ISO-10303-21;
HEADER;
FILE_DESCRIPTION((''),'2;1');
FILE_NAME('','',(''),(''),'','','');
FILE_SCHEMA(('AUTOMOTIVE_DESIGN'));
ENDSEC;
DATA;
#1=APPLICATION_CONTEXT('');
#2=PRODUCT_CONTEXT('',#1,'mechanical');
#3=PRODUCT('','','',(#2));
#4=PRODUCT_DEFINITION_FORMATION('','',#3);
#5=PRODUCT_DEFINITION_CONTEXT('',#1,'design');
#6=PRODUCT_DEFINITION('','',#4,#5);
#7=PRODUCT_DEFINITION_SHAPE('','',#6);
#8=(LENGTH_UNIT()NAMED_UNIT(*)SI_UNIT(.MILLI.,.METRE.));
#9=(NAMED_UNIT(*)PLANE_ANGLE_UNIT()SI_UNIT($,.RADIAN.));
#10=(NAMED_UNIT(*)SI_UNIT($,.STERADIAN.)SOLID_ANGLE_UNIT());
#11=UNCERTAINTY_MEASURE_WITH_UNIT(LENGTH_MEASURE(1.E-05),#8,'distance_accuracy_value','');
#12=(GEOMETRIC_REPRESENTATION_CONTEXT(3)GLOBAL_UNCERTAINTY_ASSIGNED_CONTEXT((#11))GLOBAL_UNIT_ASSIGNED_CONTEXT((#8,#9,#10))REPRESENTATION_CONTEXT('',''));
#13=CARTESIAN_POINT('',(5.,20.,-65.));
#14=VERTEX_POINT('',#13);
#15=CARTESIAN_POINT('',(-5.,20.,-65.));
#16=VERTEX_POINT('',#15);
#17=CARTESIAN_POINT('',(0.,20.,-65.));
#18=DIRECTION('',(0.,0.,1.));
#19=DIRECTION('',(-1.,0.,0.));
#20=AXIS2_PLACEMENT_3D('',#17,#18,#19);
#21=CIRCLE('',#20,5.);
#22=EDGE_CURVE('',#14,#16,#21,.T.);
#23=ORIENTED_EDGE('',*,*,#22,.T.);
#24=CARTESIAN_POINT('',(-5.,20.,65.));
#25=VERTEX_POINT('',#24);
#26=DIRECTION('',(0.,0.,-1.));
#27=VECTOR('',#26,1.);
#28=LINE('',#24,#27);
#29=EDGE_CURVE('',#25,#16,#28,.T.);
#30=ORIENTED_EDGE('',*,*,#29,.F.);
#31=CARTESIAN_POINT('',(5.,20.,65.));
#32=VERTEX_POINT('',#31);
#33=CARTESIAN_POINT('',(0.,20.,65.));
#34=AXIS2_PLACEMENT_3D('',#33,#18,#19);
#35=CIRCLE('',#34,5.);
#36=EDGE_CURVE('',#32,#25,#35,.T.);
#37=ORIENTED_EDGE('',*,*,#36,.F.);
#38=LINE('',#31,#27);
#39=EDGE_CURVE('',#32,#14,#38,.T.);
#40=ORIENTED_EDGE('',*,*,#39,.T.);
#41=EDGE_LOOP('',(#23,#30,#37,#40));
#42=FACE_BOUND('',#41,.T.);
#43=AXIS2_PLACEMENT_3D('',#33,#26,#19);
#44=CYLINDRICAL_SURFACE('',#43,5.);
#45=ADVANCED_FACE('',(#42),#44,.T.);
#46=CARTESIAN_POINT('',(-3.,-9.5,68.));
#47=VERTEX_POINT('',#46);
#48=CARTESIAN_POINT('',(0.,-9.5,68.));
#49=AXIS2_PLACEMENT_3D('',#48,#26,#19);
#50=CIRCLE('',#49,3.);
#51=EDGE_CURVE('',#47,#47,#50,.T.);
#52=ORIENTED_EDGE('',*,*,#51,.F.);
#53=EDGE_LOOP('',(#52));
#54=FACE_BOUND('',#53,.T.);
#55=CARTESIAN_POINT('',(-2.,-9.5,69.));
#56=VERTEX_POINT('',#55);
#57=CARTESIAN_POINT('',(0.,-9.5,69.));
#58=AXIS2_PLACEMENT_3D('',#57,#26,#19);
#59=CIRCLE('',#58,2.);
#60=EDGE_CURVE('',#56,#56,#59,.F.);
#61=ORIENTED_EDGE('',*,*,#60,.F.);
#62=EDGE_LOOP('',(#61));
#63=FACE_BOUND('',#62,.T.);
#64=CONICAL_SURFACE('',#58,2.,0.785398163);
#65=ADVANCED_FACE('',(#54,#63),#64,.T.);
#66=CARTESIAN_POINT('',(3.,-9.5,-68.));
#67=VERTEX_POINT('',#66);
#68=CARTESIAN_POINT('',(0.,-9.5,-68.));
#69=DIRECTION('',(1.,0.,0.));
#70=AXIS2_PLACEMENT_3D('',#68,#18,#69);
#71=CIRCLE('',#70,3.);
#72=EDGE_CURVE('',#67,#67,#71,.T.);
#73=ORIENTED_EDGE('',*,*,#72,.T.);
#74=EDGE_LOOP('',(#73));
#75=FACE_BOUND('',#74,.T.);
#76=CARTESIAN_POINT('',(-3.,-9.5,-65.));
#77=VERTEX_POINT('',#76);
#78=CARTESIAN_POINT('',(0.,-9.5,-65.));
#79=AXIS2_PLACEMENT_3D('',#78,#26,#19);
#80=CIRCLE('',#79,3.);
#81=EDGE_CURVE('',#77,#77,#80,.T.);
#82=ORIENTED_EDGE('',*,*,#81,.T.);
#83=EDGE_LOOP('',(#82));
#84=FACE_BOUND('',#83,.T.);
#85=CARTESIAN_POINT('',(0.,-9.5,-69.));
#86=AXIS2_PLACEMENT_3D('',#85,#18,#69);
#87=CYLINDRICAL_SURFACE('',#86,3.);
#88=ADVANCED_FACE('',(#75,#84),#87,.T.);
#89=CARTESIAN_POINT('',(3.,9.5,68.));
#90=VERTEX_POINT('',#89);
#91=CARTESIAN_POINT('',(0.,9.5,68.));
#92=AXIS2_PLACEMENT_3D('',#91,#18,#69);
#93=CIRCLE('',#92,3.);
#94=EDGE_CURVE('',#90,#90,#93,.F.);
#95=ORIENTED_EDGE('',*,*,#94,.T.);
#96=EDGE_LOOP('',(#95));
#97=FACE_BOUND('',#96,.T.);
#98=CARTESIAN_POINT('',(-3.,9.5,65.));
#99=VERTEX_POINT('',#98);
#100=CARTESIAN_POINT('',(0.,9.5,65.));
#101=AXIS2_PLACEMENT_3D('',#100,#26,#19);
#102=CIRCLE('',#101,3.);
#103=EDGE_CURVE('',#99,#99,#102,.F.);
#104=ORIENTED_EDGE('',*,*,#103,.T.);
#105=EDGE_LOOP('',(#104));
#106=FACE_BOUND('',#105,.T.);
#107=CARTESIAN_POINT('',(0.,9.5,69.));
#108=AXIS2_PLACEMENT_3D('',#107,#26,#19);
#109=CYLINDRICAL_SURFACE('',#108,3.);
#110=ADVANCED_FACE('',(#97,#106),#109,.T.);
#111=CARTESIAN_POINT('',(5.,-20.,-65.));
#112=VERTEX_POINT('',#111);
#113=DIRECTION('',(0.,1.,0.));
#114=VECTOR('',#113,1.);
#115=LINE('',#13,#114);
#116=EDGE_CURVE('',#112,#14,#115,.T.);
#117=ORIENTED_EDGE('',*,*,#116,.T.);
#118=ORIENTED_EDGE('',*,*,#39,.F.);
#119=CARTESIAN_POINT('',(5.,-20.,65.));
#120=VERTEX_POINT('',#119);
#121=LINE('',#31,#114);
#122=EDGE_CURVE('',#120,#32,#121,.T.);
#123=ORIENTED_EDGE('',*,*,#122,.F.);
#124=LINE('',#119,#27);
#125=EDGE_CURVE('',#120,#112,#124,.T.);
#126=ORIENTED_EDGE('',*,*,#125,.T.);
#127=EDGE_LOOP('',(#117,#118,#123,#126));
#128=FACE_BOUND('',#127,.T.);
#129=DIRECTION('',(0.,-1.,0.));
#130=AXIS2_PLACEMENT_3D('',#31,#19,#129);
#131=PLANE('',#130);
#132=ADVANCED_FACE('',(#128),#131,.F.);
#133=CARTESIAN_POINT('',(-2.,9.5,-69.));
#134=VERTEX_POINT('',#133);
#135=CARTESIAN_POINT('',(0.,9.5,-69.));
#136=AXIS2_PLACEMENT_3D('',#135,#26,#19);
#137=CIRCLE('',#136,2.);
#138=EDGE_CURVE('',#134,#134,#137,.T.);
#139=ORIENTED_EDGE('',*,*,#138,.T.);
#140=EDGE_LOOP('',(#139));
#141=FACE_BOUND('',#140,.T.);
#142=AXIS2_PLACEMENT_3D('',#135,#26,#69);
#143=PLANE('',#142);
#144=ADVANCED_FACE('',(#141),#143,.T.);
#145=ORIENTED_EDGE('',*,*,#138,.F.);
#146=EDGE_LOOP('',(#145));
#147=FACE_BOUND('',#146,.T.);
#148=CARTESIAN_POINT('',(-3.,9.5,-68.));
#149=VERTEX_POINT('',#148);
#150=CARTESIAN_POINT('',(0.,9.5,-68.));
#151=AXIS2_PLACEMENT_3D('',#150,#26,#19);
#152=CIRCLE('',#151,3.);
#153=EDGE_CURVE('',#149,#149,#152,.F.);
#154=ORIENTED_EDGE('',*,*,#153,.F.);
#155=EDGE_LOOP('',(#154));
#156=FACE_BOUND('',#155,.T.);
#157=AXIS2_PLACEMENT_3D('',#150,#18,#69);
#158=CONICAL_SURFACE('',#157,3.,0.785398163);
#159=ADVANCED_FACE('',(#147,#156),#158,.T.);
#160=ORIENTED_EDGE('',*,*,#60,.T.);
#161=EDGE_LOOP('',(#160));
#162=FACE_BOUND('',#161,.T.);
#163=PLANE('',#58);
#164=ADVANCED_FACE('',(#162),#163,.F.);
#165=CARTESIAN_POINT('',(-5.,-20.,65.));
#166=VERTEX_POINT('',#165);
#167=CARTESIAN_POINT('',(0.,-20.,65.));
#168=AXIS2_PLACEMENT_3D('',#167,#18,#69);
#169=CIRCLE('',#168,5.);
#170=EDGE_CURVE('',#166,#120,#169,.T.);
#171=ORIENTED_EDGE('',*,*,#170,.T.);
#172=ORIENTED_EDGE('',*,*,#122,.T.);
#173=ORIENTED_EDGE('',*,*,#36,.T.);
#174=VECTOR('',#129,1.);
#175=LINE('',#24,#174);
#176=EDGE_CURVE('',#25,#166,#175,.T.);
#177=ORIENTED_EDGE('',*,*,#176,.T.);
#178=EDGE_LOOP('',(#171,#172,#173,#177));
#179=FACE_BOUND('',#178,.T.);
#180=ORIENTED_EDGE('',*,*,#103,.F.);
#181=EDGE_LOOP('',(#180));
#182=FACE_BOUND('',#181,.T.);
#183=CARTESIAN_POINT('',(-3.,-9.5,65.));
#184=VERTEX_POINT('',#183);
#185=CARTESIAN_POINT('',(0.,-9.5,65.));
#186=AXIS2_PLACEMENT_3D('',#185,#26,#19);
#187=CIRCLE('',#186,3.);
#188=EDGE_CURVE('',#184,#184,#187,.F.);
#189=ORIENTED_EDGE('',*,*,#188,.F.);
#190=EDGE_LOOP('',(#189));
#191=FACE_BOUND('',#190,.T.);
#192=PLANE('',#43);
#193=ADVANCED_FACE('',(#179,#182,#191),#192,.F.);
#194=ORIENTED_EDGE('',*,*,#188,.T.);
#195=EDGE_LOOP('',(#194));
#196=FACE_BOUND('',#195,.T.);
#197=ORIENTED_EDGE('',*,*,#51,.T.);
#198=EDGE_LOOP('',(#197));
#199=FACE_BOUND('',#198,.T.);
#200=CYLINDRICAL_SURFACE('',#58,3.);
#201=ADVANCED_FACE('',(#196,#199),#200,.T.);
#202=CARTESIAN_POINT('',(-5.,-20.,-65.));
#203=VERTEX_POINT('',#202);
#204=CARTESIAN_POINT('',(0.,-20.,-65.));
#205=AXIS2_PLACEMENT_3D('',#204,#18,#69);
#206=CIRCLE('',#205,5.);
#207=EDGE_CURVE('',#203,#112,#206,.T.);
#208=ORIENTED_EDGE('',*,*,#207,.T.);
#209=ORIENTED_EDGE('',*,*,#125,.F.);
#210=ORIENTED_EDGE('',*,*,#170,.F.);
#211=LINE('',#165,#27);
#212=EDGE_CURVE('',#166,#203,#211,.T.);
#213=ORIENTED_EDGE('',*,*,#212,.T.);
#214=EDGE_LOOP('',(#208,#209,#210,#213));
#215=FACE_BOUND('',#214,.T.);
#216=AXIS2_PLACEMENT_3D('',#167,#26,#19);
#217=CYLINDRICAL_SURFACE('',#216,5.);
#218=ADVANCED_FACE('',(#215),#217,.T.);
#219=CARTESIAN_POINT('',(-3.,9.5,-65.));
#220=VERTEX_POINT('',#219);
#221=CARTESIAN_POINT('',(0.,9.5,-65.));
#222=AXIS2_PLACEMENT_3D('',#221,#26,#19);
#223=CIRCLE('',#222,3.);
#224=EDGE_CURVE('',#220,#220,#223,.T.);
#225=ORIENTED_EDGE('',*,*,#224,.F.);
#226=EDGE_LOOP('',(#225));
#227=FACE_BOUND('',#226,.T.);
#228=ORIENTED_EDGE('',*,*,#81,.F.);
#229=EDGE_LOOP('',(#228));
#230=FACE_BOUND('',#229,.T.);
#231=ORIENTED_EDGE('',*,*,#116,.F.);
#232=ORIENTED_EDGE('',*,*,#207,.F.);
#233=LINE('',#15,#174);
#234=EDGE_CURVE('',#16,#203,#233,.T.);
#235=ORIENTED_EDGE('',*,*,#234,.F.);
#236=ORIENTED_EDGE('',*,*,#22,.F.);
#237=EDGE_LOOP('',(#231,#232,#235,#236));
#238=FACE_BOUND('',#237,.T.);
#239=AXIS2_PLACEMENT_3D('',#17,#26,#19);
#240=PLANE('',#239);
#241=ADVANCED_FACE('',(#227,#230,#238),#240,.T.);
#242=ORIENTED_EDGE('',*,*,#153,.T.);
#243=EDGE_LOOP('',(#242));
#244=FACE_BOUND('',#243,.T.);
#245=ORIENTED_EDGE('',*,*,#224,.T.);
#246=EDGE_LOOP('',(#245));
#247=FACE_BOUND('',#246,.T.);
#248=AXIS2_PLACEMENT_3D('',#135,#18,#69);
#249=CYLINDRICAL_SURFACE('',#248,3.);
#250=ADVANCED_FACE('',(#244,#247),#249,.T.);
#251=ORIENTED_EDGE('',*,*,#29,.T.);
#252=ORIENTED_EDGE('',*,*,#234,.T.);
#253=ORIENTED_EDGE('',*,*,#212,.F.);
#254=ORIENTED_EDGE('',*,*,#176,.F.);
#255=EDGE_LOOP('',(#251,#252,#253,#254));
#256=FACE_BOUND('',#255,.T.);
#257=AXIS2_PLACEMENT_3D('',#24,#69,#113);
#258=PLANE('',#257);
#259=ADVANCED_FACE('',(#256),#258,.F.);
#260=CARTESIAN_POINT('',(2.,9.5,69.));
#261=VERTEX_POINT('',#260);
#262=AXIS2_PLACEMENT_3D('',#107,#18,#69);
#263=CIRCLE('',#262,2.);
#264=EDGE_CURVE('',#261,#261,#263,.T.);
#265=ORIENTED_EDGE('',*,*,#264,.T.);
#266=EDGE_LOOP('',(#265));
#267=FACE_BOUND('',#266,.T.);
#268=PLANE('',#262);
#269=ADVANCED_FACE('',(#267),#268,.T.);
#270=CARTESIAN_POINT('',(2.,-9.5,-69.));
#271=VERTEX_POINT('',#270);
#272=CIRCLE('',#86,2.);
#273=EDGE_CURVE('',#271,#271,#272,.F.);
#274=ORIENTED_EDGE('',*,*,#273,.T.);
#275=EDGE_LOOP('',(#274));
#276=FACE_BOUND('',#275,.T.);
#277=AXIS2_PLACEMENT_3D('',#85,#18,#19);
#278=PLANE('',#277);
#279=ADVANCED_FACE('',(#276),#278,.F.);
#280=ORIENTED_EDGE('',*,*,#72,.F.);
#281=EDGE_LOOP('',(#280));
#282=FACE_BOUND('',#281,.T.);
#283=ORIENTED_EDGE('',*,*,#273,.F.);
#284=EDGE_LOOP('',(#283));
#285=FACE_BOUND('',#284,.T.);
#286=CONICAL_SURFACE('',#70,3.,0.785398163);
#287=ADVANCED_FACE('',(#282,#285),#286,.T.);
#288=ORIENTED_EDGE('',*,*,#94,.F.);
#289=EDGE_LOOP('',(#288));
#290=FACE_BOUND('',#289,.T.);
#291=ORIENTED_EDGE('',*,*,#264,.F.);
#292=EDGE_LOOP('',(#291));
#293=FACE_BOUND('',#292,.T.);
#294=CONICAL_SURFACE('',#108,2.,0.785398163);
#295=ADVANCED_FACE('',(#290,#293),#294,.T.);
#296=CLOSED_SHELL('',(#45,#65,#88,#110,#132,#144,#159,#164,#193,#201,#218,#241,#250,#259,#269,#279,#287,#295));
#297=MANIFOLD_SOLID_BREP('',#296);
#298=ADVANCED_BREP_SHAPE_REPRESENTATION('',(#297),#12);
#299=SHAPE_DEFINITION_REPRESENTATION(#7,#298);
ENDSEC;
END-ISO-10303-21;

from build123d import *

# Parameters (mm, degrees)
EXTRUDE_1_DEPTH            = 65
SKETCH_2_R                 = 3
EXTRUDE_2_DEPTH            = 4
CHAMFER_1_SIZE             = 1
CHAMFER_1_OF_MIRROR_1_SIZE = 1


with BuildPart() as part:
    # 草圖1 → 伸長1 (new, symmetric)
    with BuildSketch(Plane.XY):
        with BuildLine():
            Line((-5, 20), (-5, -20))
            ThreePointArc((-5, -20), (0, -25), (5, -20))
            Line((5, -20), (5, 20))
            ThreePointArc((5, 20), (0, 25), (-5, 20))
        make_face()
    extrude(amount=EXTRUDE_1_DEPTH, both=True)

    # 草圖2 → 伸長2 (add)
    with BuildSketch(Plane.XY.offset(65)):
        with Locations(Location((0, 9.5, 0), (0, 0, 180))):
            Circle(SKETCH_2_R)
        with Locations(Location((0, -9.5, 0), (0, 0, 180))):
            Circle(SKETCH_2_R)
    extrude_2 = extrude(amount=EXTRUDE_2_DEPTH)

    # 導角1
    chamfer_1_edges = [part.edges().sort_by_distance(p)[0] for p in [
        (3, 9.5, 69),
        (3, -9.5, 69),
    ]]
    chamfer(chamfer_1_edges, length=CHAMFER_1_SIZE)

    # 鏡射1: 伸長2 across plane
    add(extrude_2.mirror(Plane.XY))

    # 導角1 of 鏡射1
    chamfer_1_of_mirror_1_edges = [part.edges().sort_by_distance(p)[0] for p in [
        (3, 9.5, -69),
        (3, -9.5, -69),
    ]]
    chamfer(chamfer_1_of_mirror_1_edges, length=CHAMFER_1_OF_MIRROR_1_SIZE)


solid = part.part
